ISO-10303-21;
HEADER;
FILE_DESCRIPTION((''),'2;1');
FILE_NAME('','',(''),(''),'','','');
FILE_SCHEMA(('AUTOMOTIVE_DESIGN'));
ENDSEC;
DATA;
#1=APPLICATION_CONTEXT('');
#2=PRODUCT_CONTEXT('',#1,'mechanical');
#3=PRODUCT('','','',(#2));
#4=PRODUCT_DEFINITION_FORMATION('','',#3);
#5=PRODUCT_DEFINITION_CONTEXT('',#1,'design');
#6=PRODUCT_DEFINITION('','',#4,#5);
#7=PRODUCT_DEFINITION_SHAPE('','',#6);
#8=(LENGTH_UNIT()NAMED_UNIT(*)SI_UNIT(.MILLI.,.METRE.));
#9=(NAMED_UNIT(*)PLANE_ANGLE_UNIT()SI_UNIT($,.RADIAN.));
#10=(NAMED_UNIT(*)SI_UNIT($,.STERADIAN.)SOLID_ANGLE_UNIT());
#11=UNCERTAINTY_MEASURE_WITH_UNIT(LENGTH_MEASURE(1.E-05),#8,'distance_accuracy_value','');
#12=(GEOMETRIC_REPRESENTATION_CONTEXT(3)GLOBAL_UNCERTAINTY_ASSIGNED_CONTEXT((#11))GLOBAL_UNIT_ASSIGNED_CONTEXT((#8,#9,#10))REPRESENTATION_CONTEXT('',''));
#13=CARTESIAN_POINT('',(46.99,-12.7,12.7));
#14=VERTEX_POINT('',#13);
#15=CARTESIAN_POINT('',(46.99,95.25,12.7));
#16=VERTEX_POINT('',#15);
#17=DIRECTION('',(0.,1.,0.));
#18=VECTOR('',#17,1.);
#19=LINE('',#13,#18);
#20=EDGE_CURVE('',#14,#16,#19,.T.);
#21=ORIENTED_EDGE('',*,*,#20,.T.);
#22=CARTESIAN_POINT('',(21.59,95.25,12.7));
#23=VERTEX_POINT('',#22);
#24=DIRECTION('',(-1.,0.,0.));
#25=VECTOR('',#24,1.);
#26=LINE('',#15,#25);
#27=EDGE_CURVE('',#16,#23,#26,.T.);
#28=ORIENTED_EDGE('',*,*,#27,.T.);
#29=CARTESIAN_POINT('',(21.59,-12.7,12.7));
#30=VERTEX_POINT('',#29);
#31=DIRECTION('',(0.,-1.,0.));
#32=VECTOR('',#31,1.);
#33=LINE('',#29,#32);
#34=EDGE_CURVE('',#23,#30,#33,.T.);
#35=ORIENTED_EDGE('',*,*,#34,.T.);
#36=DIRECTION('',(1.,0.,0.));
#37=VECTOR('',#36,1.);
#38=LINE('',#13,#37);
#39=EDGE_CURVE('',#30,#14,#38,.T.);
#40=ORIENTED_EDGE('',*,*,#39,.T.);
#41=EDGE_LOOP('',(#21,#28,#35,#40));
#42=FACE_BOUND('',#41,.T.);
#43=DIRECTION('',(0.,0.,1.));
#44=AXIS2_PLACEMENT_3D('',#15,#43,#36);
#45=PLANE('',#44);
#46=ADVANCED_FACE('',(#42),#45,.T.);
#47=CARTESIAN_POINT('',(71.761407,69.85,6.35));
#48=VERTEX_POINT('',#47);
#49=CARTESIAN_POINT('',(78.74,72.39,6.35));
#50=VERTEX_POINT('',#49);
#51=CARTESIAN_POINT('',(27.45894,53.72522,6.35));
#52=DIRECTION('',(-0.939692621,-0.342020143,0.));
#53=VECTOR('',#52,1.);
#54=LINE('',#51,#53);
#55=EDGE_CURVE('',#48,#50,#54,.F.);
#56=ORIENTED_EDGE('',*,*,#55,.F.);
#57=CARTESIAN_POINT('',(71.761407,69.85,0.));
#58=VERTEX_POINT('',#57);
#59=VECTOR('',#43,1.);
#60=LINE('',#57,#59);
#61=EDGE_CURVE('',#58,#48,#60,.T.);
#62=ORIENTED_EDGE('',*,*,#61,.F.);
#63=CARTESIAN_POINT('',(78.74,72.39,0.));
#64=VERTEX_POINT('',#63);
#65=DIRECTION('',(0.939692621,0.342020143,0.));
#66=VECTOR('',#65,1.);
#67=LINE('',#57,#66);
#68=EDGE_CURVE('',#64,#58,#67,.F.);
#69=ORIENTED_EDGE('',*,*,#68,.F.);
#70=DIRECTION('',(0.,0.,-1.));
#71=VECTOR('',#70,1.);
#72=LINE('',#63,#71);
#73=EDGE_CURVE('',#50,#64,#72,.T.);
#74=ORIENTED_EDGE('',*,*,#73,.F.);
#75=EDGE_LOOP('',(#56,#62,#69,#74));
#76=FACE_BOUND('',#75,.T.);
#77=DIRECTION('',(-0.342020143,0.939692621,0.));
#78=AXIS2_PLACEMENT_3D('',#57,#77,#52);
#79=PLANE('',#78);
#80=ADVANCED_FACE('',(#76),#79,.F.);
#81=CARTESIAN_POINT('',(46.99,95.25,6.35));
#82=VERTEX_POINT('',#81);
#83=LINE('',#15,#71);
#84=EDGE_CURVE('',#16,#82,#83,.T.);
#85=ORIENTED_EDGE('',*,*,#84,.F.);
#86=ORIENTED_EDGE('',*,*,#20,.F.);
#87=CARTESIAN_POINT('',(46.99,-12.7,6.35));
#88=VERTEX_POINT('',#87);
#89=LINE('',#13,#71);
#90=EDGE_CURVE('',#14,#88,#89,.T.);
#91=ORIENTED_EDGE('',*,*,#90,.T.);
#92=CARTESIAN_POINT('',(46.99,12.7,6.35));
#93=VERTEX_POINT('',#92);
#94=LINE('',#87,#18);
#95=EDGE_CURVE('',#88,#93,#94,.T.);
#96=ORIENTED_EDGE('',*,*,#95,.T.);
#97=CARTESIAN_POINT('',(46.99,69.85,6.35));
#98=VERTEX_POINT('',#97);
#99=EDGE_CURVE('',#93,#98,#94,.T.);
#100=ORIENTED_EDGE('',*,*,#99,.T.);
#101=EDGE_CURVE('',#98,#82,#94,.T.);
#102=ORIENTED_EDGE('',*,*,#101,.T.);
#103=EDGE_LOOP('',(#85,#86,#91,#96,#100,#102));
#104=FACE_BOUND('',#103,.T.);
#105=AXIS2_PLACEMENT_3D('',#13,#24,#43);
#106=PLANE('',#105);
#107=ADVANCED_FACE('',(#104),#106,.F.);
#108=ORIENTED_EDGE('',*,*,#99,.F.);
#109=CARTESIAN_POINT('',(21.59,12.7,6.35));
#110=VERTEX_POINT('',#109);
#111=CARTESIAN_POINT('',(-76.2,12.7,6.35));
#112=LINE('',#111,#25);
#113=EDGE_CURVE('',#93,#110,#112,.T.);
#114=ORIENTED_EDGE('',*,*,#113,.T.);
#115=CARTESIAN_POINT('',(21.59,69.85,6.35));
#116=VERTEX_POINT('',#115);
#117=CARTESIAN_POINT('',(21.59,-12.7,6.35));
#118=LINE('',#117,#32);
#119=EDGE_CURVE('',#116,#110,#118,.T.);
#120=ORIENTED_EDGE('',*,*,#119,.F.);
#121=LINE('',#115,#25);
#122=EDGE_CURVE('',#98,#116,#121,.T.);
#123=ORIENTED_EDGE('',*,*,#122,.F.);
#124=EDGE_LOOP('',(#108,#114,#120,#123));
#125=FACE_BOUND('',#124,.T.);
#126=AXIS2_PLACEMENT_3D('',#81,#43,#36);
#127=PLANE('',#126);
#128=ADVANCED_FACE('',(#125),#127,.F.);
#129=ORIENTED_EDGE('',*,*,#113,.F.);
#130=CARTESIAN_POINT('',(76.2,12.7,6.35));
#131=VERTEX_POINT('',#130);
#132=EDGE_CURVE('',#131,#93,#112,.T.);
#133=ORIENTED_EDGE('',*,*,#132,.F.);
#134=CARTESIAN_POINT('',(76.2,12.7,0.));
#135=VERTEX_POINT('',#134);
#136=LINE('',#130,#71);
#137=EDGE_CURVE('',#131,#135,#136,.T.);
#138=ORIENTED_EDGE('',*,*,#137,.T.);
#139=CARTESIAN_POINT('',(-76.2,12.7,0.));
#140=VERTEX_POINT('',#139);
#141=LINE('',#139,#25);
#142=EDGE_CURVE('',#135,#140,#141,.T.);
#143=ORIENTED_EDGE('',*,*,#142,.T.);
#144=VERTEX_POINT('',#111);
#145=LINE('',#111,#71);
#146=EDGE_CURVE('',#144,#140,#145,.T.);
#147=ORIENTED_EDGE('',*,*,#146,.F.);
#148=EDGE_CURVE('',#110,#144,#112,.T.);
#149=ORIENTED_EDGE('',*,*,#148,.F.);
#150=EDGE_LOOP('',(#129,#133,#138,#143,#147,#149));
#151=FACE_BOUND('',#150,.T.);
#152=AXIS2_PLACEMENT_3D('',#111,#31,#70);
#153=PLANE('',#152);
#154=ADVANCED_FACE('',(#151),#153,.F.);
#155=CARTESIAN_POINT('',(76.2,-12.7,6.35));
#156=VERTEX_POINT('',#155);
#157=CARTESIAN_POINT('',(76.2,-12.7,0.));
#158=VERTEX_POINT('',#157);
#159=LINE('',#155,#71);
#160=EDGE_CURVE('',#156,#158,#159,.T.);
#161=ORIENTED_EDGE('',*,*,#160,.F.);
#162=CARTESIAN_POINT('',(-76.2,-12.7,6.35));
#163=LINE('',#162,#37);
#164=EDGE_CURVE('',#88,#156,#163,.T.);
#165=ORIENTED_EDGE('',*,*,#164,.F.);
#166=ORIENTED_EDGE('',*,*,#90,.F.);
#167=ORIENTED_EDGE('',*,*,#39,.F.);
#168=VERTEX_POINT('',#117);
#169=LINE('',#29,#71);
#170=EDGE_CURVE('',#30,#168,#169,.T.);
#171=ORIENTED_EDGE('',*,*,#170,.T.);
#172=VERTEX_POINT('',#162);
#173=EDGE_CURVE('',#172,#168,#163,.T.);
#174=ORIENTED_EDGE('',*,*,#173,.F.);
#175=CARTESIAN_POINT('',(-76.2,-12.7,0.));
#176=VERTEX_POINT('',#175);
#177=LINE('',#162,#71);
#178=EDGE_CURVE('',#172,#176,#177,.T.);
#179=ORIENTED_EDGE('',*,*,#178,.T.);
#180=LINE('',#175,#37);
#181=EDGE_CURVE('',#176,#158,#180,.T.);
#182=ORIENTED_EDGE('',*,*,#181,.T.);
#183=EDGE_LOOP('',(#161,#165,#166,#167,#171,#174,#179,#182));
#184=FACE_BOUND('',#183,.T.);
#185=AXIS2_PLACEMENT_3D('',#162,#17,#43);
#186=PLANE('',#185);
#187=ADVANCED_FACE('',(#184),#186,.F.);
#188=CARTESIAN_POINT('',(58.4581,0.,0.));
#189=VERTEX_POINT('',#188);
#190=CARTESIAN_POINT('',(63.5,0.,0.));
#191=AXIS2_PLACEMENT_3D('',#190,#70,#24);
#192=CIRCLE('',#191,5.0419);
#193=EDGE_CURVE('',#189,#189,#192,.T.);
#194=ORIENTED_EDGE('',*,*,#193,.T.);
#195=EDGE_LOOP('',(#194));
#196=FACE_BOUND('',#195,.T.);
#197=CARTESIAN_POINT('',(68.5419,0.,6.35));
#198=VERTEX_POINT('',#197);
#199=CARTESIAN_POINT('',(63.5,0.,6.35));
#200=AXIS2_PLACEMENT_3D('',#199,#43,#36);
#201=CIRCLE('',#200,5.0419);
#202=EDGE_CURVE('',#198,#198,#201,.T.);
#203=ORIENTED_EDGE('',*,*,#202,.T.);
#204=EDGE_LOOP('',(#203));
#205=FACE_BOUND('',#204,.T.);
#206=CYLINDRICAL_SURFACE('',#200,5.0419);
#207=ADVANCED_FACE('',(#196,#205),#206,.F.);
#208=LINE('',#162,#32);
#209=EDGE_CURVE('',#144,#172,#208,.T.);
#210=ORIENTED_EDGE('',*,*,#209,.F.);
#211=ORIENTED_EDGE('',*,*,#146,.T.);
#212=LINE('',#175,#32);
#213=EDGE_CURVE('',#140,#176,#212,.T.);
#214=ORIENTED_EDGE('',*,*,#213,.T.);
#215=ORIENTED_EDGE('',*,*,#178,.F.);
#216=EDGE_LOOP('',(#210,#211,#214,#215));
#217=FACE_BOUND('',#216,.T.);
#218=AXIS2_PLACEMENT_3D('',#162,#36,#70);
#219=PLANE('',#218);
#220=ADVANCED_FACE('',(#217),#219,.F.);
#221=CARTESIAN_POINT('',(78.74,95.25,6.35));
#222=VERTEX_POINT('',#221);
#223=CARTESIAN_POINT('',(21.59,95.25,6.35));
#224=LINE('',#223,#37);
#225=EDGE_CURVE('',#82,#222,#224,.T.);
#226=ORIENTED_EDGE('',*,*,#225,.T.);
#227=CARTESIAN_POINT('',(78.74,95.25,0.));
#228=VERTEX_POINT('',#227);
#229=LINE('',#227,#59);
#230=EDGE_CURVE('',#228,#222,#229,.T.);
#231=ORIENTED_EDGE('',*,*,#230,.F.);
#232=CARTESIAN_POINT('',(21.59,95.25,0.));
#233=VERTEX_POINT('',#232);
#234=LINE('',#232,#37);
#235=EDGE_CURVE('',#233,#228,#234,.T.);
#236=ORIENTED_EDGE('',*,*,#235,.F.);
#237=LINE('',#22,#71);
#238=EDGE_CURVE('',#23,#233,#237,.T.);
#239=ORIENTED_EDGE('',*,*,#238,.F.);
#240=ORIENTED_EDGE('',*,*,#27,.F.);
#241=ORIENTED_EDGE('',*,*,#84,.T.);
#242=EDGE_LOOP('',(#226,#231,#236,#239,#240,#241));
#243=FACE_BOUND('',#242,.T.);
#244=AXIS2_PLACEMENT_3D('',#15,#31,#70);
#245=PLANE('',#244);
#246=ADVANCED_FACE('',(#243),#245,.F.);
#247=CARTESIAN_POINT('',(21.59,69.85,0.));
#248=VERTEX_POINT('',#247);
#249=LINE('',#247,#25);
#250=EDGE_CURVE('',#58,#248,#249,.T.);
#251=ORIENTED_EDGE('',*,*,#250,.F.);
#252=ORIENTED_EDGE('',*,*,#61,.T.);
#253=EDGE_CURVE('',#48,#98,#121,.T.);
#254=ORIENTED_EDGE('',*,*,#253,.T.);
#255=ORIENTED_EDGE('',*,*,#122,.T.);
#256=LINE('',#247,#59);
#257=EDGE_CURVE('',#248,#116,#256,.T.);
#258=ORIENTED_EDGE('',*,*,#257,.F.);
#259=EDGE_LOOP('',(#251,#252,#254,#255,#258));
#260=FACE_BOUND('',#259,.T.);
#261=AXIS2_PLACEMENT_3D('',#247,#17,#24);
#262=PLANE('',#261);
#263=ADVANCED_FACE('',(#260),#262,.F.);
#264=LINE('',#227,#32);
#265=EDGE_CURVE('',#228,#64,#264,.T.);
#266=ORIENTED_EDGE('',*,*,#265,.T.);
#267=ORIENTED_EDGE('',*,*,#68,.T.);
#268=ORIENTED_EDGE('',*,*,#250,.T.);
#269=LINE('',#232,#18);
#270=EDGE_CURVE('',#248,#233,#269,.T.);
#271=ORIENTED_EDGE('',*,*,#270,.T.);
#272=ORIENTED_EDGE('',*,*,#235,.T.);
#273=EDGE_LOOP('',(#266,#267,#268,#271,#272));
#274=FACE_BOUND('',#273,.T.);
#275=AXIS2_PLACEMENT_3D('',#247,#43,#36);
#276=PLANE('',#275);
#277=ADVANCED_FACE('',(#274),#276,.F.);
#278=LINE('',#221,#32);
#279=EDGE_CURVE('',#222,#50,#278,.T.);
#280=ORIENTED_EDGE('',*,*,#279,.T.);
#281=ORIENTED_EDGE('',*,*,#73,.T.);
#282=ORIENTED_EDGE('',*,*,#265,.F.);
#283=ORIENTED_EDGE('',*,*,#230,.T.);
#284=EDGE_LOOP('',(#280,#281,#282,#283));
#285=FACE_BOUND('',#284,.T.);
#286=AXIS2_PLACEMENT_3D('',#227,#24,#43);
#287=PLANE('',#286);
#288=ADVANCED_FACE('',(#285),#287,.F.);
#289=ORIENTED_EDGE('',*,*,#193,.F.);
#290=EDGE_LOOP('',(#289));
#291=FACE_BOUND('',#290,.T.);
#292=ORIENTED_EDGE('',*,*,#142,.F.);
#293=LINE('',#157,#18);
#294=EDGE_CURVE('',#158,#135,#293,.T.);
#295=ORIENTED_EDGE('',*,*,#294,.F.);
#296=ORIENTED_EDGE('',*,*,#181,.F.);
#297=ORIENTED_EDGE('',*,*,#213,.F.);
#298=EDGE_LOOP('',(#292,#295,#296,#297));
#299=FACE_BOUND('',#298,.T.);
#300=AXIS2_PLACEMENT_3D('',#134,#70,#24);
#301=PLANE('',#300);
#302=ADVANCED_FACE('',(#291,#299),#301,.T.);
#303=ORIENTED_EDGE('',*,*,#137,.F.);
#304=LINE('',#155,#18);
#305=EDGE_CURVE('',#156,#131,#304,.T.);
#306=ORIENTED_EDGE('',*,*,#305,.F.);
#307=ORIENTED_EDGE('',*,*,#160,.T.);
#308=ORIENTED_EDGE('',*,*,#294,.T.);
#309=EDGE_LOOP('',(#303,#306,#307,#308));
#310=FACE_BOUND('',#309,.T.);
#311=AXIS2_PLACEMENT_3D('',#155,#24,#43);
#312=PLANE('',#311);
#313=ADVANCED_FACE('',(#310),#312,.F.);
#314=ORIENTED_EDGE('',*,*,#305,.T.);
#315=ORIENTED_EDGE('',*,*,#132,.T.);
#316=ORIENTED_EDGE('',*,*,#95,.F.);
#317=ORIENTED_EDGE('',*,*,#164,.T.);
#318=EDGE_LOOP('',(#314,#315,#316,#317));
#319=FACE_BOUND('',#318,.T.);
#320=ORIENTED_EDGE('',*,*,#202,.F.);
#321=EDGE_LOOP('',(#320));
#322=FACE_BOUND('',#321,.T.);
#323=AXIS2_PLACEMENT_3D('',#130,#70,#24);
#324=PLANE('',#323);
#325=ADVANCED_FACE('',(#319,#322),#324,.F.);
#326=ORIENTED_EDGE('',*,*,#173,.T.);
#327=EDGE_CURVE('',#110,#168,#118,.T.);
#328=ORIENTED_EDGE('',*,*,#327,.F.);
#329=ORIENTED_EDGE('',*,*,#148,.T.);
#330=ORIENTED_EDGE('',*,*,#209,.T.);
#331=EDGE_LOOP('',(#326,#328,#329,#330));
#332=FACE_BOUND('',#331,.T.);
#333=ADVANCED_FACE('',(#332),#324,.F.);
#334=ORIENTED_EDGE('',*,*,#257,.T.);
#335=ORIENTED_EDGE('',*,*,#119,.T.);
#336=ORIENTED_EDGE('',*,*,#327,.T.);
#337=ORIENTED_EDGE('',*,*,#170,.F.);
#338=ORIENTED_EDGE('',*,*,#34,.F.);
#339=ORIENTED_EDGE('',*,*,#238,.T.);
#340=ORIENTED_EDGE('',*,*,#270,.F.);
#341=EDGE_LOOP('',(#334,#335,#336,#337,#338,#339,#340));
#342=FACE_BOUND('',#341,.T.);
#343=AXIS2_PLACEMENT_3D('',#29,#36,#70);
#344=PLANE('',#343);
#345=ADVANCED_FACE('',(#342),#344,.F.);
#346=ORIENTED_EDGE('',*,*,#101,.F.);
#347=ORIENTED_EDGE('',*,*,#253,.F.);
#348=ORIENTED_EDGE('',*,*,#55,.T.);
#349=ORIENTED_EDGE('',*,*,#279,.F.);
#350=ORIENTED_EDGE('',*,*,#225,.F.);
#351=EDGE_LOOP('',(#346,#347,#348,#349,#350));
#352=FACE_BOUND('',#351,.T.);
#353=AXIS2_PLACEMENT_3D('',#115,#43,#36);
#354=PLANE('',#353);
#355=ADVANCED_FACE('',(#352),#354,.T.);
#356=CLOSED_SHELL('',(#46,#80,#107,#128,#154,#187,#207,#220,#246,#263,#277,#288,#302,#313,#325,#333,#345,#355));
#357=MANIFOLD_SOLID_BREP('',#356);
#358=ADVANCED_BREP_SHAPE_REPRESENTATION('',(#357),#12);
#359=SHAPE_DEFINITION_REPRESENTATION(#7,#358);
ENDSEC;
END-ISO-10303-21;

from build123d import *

# Parameters (mm, degrees)
SKETCH1_W                   = 152.4
SKETCH1_H                   = 25.4
EXTRUDE1_DEPTH              = 6.35
SKETCH2_W                   = 25.4
SKETCH2_H                   = 107.95
EXTRUDE2_DEPTH              = 6.35
SKETCH3_W                   = 57.15
SKETCH3_H                   = 25.4
EXTRUDE3_DEPTH              = 6.35
CHAMFER1_SIZE               = 2.54
CHAMFER1_SIZE2              = 6.978592645
F_3_8_CLEARANCE_HOLE1_D     = 10.0838
F_3_8_CLEARANCE_HOLE1_DEPTH = 38.1
F_3_8_CLEARANCE_HOLE1_TIP   = 3.029479155


with BuildPart() as part:
    # Sketch1 → Extrude1 (new body)
    with BuildSketch(Plane.XY):
        Rectangle(SKETCH1_W, SKETCH1_H)
    extrude(amount=EXTRUDE1_DEPTH)

    # Sketch2 → Extrude2 (add)
    with BuildSketch(Plane.XY.offset(6.35)):
        with Locations((34.29, 41.275)):
            Rectangle(SKETCH2_W, SKETCH2_H)
    extrude(amount=EXTRUDE2_DEPTH)

    # Sketch3 → Extrude3 (add)
    with BuildSketch(Plane(origin=(0, 0, 6.35), x_dir=(-1, 0, 0), z_dir=(0, 0, -1))):
        with Locations((-50.165, 82.55)):
            Rectangle(SKETCH3_W, SKETCH3_H)
    extrude(amount=EXTRUDE3_DEPTH)

    # Chamfer1
    chamfer1_edges = [part.edges().sort_by_distance(p)[0] for p in [
        (78.74, 69.85, 3.175),
    ]]
    chamfer1_side = [part.faces().sort_by_distance(p)[0] for p in [
        (78.74, 82.55, 3.175),
    ]]
    chamfer(chamfer1_edges, length=CHAMFER1_SIZE, length2=CHAMFER1_SIZE2, reference=chamfer1_side[0])

    # 3/8 Clearance Hole1
    with Locations(Plane(origin=(63.5, 0, 6.35), x_dir=(1, 0, 0), z_dir=(0, 0, 1))):
        with Locations((0, 0)):
            Hole(F_3_8_CLEARANCE_HOLE1_D / 2, depth=F_3_8_CLEARANCE_HOLE1_DEPTH)
            with Locations((0, 0, -(F_3_8_CLEARANCE_HOLE1_DEPTH + F_3_8_CLEARANCE_HOLE1_TIP / 2))):  # 118° drill point
                Cone(0, F_3_8_CLEARANCE_HOLE1_D / 2, F_3_8_CLEARANCE_HOLE1_TIP, mode=Mode.SUBTRACT)


solid = part.part
